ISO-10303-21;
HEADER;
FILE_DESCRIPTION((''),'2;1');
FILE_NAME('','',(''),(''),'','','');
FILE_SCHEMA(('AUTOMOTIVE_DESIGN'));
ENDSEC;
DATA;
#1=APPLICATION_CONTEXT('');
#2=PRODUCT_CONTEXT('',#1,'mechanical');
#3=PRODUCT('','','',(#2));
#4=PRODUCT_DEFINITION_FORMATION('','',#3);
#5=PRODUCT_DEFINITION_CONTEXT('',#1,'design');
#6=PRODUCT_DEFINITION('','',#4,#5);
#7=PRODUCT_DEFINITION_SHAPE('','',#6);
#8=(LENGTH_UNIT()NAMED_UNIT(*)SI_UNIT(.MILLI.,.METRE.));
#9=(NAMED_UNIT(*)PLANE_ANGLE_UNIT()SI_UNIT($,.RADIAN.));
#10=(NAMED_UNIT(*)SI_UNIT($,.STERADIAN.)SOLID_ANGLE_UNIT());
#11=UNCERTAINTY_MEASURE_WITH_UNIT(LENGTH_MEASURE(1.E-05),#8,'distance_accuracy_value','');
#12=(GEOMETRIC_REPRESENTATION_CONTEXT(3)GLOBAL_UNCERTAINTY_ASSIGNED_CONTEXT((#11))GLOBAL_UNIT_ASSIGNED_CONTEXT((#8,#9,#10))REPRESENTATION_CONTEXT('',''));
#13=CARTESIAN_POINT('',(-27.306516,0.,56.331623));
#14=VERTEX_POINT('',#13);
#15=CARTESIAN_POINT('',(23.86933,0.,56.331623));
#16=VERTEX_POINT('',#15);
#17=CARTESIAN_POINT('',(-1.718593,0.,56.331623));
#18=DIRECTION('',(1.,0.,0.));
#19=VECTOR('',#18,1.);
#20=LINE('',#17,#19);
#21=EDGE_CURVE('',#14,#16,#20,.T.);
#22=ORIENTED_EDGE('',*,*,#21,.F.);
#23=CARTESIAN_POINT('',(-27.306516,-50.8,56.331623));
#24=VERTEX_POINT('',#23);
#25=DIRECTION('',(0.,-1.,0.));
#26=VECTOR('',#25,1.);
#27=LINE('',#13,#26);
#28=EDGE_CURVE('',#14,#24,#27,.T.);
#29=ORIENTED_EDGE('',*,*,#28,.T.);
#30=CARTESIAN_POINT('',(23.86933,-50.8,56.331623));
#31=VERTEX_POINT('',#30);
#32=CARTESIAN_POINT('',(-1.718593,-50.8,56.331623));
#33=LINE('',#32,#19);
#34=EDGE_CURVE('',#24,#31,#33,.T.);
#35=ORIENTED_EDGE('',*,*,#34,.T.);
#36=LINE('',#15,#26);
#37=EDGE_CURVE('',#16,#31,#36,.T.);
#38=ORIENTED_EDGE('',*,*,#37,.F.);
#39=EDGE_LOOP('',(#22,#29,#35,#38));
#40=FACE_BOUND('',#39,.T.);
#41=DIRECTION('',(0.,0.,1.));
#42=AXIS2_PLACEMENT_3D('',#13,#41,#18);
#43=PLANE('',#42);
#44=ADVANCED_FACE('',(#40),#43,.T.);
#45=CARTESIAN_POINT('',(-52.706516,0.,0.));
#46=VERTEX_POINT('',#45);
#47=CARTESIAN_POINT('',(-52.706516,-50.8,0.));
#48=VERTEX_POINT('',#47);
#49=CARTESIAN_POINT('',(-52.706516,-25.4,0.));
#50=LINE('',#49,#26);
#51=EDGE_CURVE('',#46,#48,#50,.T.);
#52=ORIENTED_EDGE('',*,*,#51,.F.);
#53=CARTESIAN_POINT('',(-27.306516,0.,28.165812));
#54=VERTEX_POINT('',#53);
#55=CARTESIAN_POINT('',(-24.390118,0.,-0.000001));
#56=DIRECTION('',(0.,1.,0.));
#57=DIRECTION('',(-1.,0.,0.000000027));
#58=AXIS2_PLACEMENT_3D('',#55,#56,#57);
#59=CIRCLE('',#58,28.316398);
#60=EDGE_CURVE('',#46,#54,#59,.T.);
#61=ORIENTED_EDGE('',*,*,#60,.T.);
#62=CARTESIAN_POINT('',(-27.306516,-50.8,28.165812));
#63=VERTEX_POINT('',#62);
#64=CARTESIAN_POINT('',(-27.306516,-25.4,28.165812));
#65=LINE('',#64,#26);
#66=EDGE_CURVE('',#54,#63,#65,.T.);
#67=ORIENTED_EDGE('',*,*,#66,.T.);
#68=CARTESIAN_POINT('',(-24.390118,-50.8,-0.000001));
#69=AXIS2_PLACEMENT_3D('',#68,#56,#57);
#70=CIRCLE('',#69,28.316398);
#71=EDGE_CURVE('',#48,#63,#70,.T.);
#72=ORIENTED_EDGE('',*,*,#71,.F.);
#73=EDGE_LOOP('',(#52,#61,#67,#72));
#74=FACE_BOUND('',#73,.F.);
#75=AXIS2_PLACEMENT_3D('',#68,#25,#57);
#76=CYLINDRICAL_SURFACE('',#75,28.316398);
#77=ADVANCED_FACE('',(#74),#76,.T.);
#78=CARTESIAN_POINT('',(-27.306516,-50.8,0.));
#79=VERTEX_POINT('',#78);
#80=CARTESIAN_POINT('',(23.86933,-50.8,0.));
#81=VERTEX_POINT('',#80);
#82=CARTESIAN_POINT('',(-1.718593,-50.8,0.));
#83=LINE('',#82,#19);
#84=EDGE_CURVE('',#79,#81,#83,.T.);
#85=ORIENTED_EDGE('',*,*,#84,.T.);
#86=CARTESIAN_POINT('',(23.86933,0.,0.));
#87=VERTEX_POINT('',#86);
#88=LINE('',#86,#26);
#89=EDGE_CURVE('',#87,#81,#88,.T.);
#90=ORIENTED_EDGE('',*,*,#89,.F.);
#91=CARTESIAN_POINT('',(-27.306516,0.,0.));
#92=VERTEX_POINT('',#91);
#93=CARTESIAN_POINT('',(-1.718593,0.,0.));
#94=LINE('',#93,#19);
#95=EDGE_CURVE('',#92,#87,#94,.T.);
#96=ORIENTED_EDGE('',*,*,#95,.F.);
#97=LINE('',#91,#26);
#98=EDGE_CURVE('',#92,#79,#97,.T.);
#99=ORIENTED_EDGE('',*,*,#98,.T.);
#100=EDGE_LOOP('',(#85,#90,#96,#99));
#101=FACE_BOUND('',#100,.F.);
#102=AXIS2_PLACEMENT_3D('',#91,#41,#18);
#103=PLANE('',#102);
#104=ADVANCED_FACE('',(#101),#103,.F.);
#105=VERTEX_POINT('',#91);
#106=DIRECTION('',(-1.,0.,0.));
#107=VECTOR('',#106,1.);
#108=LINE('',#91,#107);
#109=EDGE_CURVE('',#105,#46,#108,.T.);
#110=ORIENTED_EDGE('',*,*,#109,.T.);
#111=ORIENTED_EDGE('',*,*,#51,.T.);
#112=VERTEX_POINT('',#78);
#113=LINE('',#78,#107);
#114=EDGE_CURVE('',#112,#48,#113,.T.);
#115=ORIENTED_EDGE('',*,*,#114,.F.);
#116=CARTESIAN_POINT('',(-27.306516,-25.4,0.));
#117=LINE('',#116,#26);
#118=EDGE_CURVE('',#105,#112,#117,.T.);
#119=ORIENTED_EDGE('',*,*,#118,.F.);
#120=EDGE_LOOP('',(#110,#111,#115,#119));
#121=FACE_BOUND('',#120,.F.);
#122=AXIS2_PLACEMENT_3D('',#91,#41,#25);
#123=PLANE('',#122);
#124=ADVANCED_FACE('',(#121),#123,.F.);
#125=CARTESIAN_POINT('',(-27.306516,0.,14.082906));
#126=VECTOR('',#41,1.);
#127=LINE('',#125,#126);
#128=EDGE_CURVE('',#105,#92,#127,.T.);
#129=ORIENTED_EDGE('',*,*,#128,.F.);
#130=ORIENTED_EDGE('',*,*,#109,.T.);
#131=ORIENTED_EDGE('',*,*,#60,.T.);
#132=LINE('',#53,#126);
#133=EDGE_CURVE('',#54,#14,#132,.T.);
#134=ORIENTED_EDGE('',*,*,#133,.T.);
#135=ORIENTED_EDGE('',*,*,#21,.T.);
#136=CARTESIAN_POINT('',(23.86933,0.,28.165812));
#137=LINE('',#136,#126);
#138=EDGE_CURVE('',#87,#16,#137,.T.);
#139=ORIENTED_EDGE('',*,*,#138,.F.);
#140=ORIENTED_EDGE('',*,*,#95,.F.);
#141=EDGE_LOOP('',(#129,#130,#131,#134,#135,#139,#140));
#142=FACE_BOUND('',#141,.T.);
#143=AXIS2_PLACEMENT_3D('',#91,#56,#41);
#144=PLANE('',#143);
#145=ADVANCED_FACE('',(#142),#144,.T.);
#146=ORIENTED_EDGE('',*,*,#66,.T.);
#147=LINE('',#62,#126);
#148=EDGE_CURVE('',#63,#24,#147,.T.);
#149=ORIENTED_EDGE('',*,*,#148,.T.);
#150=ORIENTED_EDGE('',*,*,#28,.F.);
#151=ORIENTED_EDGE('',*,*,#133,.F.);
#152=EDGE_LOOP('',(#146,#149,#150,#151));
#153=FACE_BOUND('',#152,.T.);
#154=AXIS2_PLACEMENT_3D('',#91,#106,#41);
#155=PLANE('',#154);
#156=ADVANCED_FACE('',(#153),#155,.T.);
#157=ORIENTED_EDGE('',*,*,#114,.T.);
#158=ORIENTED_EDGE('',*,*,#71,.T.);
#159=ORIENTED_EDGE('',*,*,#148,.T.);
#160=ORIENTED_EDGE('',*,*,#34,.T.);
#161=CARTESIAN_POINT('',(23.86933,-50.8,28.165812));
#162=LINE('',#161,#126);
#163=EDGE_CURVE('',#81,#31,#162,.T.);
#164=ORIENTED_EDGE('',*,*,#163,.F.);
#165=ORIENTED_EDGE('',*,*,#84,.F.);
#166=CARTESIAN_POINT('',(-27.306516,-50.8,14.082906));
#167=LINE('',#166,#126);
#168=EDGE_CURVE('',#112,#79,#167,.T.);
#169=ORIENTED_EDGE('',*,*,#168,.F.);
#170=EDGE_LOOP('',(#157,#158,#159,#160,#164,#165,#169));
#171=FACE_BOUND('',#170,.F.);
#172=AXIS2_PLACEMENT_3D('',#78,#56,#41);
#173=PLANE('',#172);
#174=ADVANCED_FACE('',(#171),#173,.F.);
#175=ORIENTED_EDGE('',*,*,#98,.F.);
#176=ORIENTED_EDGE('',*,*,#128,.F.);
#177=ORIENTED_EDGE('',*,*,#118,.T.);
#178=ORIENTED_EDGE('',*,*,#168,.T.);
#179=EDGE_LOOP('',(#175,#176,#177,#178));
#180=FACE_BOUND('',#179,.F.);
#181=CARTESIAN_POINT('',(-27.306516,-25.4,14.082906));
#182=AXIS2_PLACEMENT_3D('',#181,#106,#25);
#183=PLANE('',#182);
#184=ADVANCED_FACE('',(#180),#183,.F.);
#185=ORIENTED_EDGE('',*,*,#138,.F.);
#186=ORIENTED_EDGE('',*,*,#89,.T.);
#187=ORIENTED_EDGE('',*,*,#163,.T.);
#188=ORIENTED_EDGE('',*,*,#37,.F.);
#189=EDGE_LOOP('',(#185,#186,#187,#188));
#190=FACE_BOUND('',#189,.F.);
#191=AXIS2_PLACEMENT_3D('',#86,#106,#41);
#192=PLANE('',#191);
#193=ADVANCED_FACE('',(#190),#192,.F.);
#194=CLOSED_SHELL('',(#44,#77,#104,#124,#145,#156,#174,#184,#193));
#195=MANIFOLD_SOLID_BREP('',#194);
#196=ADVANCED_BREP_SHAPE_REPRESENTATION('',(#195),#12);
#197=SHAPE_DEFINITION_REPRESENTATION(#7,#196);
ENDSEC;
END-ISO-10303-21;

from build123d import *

# Parameters (mm, degrees)
F0_W     = 51.175846
F0_H     = 56.331623
F1_DEPTH = 50.8
F2_W     = 50.8
F2_H     = 28.165812
F3_DEPTH = 25.4
F5_DEPTH = 50.8


with BuildPart() as f1:
    # F0 (on Front) → F1 (new body)
    with BuildSketch(Plane.XZ):
        with Locations((-1.718593, 28.165812)):
            Rectangle(F0_W, F0_H)
    extrude(amount=F1_DEPTH)

    # F2 (on face) → F3 (join)
    with BuildSketch(Plane(origin=(-27.306516, 0, 0), x_dir=(0, -1, 0), z_dir=(-1, 0, 0))):
        with Locations((25.4, 14.082906)):
            Rectangle(F2_W, F2_H)
    extrude(amount=F3_DEPTH)

    # F4 (on face) → F5 (cut)
    with BuildSketch(Plane.XZ.offset(50.8)):
        with BuildLine():
            ThreePointArc((-52.706516, 0), (-45.418673, 18.963603), (-27.306516, 28.165812))
            Line((-27.306516, 28.165812), (-52.706516, 28.165812))
            Line((-52.706516, 28.165812), (-52.706516, 0))
        make_face()
    extrude(amount=-F5_DEPTH, mode=Mode.SUBTRACT)


solid = f1.part
